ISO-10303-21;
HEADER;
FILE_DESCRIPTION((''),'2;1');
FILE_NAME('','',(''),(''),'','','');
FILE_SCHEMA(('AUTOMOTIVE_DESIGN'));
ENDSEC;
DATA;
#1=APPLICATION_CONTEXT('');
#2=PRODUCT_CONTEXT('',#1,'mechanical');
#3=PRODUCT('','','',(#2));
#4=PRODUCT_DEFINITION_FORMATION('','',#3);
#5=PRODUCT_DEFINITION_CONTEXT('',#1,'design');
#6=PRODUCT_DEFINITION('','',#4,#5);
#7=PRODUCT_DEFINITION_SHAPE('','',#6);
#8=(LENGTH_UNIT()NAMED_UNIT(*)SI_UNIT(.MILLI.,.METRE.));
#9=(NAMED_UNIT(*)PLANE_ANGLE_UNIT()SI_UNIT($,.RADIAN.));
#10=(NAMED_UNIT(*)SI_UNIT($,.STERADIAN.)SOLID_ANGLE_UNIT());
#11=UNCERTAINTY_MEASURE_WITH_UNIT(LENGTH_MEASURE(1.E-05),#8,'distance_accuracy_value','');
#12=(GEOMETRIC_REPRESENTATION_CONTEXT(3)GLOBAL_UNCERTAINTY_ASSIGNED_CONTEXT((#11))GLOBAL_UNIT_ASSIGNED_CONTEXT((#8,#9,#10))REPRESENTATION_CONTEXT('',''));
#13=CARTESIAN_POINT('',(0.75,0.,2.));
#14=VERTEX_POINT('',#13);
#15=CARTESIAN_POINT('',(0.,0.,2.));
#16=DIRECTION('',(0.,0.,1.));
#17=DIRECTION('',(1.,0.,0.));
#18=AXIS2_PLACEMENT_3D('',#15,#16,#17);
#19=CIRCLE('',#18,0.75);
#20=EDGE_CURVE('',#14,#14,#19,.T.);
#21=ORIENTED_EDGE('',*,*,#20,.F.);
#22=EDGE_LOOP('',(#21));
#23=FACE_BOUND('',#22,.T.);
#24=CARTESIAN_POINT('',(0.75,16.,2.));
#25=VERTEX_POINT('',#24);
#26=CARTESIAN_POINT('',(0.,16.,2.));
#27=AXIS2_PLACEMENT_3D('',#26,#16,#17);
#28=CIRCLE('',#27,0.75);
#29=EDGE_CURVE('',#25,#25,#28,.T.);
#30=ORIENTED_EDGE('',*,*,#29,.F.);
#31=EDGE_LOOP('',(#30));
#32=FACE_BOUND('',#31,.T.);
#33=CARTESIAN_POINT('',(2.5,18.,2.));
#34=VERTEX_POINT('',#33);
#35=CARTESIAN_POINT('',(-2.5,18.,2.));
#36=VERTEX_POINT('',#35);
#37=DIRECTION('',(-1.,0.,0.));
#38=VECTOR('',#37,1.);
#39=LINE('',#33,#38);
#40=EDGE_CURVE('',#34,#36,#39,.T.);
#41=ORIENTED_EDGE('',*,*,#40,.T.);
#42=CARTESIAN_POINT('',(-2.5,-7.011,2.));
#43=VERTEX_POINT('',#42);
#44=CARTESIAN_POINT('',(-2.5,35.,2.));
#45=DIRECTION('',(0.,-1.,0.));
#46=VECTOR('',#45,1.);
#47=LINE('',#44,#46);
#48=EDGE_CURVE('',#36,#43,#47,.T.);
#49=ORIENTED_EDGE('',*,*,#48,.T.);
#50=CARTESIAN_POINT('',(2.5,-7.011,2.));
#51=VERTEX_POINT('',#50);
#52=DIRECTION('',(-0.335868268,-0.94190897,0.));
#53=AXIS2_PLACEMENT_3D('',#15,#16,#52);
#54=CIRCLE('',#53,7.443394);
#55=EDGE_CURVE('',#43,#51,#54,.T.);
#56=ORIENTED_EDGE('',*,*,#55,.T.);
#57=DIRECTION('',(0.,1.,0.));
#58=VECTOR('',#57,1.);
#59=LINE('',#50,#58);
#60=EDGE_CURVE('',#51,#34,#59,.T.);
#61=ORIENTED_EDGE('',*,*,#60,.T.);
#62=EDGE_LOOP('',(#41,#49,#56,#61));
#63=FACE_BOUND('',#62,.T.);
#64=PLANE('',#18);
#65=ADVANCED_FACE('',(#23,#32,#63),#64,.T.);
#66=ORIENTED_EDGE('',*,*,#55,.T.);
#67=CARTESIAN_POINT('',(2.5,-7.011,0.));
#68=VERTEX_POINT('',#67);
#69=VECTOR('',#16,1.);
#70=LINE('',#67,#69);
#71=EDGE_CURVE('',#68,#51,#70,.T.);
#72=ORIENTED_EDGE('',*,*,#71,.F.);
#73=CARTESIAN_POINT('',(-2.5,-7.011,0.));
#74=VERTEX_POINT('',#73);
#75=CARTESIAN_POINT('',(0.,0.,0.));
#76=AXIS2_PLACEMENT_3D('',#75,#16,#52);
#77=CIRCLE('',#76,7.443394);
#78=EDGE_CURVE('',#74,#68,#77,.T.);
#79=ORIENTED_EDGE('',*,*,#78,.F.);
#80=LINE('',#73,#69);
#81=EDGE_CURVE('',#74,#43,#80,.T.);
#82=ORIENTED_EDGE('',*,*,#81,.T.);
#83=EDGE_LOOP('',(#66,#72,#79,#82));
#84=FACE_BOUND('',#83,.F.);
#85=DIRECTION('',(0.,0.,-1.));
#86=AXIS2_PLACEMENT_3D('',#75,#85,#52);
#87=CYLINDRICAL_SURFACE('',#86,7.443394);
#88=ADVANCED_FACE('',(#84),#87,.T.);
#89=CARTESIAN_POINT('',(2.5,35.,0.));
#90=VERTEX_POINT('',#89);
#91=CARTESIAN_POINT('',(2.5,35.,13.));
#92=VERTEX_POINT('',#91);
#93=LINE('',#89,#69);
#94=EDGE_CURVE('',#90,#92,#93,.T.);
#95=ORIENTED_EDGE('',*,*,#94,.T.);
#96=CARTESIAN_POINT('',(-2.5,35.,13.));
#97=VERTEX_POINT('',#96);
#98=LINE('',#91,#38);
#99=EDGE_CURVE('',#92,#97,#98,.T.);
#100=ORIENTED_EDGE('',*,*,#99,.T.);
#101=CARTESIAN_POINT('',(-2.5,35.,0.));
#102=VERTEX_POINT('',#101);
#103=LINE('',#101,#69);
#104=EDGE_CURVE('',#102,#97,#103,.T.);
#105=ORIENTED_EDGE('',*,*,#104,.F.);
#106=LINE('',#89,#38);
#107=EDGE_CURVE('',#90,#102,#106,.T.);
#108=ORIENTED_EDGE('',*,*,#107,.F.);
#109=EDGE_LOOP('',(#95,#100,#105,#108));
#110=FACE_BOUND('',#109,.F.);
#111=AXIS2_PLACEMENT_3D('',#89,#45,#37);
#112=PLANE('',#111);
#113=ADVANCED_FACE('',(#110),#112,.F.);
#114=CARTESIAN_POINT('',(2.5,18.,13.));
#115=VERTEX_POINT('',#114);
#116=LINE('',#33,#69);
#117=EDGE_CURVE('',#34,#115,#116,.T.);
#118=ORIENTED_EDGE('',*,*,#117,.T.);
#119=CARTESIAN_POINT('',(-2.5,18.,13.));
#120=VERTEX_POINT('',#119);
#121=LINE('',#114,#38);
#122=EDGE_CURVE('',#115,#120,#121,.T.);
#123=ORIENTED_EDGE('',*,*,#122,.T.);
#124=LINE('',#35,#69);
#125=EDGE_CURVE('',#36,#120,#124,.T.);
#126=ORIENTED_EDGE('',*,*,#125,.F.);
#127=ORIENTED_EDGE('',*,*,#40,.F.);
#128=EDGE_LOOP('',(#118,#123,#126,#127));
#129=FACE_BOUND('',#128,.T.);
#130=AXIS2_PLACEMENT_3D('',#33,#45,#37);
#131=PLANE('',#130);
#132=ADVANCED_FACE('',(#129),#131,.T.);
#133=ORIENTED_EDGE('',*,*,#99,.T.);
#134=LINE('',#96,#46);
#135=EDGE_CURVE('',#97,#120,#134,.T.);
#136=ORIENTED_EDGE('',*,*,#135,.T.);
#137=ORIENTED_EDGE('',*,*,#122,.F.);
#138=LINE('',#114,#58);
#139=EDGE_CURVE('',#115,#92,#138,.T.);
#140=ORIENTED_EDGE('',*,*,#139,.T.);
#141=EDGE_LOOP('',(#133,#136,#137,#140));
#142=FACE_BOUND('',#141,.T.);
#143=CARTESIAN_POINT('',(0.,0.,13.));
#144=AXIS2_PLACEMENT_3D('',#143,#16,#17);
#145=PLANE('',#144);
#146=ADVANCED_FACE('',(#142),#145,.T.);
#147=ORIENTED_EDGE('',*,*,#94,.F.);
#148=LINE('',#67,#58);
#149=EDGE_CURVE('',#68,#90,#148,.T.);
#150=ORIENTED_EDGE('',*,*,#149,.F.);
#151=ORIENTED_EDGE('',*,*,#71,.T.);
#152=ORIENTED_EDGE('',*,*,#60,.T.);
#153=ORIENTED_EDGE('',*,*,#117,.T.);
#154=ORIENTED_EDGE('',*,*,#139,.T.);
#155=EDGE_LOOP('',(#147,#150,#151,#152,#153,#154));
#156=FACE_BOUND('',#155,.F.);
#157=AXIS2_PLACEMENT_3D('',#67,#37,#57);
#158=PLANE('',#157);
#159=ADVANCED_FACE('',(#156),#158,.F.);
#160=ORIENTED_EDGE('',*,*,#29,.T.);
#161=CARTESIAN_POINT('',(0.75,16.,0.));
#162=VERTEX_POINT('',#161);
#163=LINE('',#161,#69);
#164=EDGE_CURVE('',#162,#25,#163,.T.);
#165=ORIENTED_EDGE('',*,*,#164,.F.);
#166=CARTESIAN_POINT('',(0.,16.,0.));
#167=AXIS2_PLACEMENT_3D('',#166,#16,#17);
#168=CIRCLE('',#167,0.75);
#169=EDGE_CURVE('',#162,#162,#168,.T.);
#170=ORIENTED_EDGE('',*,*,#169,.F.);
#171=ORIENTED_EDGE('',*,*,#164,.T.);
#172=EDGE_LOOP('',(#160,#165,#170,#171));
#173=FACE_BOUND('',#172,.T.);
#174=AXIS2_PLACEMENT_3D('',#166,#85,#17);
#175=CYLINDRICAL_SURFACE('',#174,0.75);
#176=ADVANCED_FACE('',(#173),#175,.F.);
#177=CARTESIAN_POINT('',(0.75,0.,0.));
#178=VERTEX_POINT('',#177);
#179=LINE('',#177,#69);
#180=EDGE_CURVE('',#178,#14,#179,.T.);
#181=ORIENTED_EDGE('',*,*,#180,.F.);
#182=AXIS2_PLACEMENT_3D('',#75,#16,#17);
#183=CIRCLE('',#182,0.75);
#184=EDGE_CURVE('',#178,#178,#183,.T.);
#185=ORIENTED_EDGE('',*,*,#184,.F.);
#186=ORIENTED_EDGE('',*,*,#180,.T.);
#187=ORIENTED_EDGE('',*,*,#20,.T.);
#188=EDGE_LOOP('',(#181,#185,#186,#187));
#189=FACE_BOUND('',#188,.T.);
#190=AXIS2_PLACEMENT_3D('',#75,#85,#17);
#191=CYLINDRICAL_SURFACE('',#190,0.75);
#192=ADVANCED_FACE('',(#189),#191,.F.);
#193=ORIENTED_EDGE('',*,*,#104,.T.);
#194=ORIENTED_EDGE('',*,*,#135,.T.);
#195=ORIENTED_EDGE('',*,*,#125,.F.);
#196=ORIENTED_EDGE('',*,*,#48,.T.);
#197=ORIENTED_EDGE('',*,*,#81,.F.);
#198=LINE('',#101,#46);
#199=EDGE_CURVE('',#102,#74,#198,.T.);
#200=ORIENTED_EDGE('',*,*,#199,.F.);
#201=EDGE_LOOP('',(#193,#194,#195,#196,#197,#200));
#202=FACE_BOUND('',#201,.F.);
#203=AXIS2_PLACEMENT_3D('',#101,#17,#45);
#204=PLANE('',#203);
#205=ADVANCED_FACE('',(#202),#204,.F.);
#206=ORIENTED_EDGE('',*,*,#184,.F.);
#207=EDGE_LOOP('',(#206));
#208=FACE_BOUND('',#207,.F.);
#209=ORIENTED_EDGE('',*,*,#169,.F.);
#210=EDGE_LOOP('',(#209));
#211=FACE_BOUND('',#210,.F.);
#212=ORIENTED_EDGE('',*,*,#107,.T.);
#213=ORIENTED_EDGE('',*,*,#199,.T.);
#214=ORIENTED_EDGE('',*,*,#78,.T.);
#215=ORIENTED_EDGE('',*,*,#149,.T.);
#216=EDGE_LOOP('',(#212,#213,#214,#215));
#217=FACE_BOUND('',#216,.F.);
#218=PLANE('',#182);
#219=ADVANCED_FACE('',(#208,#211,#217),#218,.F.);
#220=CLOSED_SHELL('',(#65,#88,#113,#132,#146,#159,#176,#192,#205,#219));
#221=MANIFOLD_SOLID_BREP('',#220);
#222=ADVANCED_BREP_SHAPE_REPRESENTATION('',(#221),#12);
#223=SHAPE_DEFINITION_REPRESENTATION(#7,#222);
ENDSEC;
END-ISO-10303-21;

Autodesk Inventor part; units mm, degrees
ref_plane "YZ Plane" through (0, 0, 0) normal (1, 0, 0) x (0, 1, 0)
ref_plane "XZ Plane" through (0, 0, 0) normal (0, 1, 0) x (-1, 0, 0)
ref_plane "XY Plane" through (0, 0, 0) normal (0, 0, 1) x (1, 0, 0)
sketch "Sketch1" plane through (0, 0, 0) normal (0, 0, 1) x (1, 0, 0)
  line L0 (-2.5, -35.0001) -> (2.5, -35.0001)
  line L1 (2.8921, 7.4595) -> (4.1309, 9.1069)
  line L2 (-2.8882, 7.4611) -> (-3.0825, 9.5131)
  line L3 (-3.0825, 9.5131) -> (-5.3884, 5.9139)
  line L4 (-5.3884, 5.9139) -> (-6.3108, 7.7572)
  line L5 (-6.3108, 7.7572) -> (-7.1609, 3.5681)
  line L6 (-7.1609, 3.5681) -> (-8.6869, 4.9536)
  line L7 (-8.6869, 4.9536) -> (-7.9662, 0.7403)
  line L8 (-7.9662, 0.7403) -> (-9.8897, 1.481)
  line L9 (-9.8897, 1.481) -> (-7.6957, -2.1874)
  line L10 (-7.6957, -2.1874) -> (-9.7569, -2.1916)
  line L11 (-9.7569, -2.1916) -> (-6.3859, -4.8197)
  line L12 (-6.3859, -4.8197) -> (-8.3064, -5.5682)
  line L13 (-8.3064, -5.5682) -> (-4.2136, -6.8011)
  line L14 (-4.2136, -6.8011) -> (-5.734, -8.1928)
  line L15 (-5.734, -8.1928) -> (-1.4722, -7.864)
  line L16 (-1.4722, -7.864) -> (-2.3872, -9.7109)
  line L17 (-2.3872, -9.7109) -> (1.468, -7.8647)
  line L18 (1.468, -7.8647) -> (1.282, -9.9175)
  line L19 (1.282, -9.9175) -> (4.21, -6.8033)
  line L20 (4.21, -6.8033) -> (4.778, -8.7847)
  line L21 (4.778, -8.7847) -> (6.3833, -4.8231)
  line L22 (6.3833, -4.8231) -> (7.6287, -6.4655)
  line L23 (7.6287, -6.4655) -> (7.6946, -2.1915)
  line L24 (7.6946, -2.1915) -> (9.4492, -3.273)
  line L25 (9.4492, -3.273) -> (7.9666, 0.7361)
  line L26 (7.9666, 0.7361) -> (9.9935, 0.3614)
  line L27 (9.9935, 0.3614) -> (7.1628, 3.5643)
  line L28 (7.1628, 3.5643) -> (9.1881, 3.9471)
  line L29 (9.1881, 3.9471) -> (5.3915, 5.9111)
  line L30 (5.3915, 5.9111) -> (7.1418, 6.9996)
  line L31 (7.1418, 6.9996) -> (2.8921, 7.4595)
  line L32 (-2.5, -35) -> (2.5, -35)
  line L33 (2.5, 35) -> (-2.5, 35)
  arc A0 (-2.5, -7.011) -> (2.5, -7.011) centre (0, 0) ccw
  line L34 (2.5, -7.011) -> (2.5, 35)
  line L35 (-2.5, 35) -> (-2.5, -7.011)
  circle A1 centre (0, 16) radius 0.75
  circle A2 centre (0, 0) radius 0.75
  dimension "d3" = 5
  dimension "d5" = 1.5
  dimension "d6" = 1.5
extrude "Extrusion1" add sketch "Sketch1" along normal blind 2
sketch "Sketch2" plane through (0, 0, 2) normal (0, 0, 1) x (1, 0, 0)
  circle A0 centre (0, 0) radius 0.75 projected
  line L0 (2.5, 18) -> (2.5, 35)
  line L1 (2.5, 35) -> (-2.5, 35)
  line L2 (-2.5, 35) -> (-2.5, 18)
  line L3 (2.5, 18) -> (-2.5, 18)
  line L4 (-2.5, 35) -> (-2.5, -7.011) projected
extrude "Extrusion2" add sketch "Sketch2" along normal blind 11 contours L3 L2 L1 L0
properties part number "Valve"
